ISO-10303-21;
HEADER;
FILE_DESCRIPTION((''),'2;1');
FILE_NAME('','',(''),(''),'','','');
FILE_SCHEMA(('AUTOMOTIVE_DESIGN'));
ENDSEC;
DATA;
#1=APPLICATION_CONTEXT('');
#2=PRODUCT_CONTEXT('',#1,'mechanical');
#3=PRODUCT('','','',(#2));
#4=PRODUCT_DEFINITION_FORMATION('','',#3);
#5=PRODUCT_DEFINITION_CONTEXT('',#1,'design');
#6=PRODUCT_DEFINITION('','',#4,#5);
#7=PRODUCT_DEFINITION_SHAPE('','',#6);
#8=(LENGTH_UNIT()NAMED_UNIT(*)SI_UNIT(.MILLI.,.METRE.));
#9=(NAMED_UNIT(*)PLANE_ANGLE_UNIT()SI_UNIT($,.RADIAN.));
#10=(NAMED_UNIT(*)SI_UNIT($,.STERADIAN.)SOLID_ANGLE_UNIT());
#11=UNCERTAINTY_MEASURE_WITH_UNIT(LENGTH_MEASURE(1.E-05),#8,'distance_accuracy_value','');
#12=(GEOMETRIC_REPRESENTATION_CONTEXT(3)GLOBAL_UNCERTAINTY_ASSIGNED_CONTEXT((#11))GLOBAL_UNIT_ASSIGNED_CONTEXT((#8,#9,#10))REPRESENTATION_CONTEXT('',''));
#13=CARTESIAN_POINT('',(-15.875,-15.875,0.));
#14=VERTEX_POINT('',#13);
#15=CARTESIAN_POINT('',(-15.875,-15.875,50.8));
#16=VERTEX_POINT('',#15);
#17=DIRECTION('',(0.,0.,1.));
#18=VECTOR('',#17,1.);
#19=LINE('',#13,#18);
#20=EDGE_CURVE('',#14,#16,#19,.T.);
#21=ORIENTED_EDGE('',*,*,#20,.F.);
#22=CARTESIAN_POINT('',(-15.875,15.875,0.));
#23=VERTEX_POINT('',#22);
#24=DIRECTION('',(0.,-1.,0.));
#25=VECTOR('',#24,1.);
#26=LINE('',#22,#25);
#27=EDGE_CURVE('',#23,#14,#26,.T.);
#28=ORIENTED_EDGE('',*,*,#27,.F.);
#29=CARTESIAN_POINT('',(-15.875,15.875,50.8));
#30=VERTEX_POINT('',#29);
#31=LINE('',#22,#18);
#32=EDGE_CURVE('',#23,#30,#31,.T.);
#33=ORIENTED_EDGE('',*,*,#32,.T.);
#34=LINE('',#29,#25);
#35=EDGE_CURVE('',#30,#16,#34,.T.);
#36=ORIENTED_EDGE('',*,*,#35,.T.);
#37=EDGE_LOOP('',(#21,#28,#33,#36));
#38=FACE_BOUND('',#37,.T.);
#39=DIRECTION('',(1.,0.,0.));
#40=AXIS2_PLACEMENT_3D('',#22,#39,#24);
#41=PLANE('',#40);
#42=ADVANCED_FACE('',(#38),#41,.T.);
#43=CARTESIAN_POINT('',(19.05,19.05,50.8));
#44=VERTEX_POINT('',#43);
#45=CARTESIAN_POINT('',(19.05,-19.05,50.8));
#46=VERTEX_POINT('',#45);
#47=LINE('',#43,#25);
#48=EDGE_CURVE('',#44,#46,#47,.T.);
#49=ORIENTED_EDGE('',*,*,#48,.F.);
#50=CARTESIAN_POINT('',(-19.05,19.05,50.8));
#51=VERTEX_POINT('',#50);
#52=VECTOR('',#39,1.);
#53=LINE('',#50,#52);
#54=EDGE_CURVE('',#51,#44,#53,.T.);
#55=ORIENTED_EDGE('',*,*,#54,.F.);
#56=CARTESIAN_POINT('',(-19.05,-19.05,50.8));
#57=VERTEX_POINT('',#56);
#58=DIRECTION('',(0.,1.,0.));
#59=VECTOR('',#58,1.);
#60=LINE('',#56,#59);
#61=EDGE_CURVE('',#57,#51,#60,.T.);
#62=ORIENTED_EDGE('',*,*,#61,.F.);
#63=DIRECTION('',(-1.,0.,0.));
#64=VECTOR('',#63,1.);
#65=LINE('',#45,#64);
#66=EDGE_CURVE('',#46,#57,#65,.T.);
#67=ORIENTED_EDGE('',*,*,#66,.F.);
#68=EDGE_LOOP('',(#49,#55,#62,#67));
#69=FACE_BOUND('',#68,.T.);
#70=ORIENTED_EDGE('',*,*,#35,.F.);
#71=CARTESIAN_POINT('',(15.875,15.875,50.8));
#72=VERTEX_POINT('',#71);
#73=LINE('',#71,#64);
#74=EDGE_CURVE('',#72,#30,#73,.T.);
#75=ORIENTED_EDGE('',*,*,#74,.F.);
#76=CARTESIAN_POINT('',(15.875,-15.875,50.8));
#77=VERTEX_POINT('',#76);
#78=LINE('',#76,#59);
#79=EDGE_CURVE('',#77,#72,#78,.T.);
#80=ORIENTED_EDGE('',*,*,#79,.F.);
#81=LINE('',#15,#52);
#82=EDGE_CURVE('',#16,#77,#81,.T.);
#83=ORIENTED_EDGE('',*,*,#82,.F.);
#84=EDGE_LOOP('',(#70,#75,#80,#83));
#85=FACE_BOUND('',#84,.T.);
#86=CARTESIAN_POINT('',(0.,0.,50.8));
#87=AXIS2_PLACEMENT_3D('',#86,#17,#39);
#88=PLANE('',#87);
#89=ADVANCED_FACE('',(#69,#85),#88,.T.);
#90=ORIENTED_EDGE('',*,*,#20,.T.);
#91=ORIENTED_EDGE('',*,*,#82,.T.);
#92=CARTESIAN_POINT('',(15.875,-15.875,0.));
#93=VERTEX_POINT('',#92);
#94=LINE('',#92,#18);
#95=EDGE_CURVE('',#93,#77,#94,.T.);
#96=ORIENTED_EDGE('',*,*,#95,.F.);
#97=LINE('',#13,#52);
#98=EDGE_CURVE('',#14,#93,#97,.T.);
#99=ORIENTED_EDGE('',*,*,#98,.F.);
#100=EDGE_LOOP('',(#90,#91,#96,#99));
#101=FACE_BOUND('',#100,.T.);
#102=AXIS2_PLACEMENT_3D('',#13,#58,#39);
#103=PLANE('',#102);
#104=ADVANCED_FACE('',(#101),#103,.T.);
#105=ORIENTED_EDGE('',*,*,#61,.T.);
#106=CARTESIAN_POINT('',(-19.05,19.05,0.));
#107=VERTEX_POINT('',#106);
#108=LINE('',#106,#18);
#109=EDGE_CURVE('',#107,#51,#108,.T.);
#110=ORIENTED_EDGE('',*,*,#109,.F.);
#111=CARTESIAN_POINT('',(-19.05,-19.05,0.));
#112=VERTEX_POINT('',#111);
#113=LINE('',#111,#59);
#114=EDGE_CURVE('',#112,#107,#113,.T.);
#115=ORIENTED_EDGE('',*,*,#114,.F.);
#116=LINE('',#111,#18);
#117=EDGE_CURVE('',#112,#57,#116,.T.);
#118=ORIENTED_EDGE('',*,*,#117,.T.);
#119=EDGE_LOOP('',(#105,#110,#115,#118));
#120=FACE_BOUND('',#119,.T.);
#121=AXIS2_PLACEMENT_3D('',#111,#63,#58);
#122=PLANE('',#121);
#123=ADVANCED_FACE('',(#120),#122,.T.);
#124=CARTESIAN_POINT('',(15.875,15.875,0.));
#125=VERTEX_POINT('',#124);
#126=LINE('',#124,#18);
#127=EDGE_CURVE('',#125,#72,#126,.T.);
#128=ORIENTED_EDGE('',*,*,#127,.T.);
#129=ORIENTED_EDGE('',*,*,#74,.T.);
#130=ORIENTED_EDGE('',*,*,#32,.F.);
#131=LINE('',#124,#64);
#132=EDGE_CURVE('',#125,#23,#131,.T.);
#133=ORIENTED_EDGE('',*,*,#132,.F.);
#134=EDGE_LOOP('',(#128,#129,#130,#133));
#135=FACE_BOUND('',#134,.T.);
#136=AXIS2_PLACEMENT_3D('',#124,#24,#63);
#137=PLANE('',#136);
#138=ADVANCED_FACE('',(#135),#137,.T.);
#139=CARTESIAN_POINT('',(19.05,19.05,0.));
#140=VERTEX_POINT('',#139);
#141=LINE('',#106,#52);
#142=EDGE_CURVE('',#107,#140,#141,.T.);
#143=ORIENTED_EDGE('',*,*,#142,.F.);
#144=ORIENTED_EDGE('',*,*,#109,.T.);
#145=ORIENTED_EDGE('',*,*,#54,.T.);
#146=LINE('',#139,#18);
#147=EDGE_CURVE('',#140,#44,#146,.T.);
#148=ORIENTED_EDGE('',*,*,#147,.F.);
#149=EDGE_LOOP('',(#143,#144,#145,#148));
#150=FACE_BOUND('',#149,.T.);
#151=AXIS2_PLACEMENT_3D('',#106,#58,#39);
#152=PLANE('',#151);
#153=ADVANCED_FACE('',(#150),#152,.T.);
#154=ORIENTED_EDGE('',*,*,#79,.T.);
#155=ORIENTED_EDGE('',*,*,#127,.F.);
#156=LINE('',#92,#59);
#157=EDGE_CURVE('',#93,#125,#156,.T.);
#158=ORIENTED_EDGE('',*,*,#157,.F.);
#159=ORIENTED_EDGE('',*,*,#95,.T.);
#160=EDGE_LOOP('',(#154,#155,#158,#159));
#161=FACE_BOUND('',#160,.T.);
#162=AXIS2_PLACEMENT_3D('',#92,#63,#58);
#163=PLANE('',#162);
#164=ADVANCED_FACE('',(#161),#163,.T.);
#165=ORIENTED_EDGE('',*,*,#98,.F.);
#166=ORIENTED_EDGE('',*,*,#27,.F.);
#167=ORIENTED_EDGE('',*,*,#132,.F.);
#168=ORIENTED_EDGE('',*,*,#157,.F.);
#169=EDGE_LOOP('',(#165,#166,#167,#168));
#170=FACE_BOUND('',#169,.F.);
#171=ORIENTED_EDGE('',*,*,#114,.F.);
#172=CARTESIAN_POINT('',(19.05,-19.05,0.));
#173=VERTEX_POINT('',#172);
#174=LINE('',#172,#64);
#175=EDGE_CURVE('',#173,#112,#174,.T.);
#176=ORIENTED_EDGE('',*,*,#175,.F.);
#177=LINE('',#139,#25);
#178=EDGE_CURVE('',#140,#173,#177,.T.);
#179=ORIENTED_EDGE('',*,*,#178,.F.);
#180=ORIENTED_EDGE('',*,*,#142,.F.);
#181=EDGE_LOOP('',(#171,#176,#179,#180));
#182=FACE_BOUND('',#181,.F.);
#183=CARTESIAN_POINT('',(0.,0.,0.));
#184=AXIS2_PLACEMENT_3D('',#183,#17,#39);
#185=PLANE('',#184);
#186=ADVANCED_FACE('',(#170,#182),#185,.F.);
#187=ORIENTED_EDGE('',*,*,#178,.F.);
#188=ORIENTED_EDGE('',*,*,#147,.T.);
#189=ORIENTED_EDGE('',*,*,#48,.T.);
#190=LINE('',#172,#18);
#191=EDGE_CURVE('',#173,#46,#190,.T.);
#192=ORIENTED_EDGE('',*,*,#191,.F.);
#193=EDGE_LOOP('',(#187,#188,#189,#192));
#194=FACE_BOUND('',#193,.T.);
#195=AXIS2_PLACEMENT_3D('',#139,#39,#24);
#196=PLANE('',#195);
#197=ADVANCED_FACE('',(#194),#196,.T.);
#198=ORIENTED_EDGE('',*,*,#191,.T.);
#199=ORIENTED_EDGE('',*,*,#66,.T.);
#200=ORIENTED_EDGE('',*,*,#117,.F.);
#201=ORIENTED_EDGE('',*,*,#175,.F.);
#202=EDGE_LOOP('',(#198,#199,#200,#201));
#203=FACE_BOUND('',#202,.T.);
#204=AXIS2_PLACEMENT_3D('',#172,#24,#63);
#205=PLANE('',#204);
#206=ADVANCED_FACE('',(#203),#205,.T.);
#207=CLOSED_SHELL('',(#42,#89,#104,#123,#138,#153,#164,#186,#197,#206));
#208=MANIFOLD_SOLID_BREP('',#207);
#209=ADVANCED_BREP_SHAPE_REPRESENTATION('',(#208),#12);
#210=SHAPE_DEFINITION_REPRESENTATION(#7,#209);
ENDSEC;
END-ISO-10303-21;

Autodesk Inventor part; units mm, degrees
ref_plane "YZ Plane" through (0, 0, 0) normal (1, 0, 0) x (0, 1, 0)
ref_plane "Start Plane" through (0, 0, 0) normal (0, 0, 1) x (1, 0, 0)
ref_plane "End Plane" through (0, 0, 50.8) normal (0, 0, 1) x (1, 0, 0)
sketch "Sketch1" plane through (0, 0, 0) normal (0, 0, 1) x (1, 0, 0)
  line L0 (-19.05, 19.05) -> (19.05, 19.05)
  line L1 (19.05, 19.05) -> (19.05, -19.05)
  line L2 (19.05, -19.05) -> (-19.05, -19.05)
  line L3 (-19.05, -19.05) -> (-19.05, 19.05)
  line L4 (15.875, 15.875) -> (-15.875, 15.875)
  line L5 (-15.875, 15.875) -> (-15.875, -15.875)
  line L6 (-15.875, -15.875) -> (15.875, -15.875)
  line L7 (15.875, -15.875) -> (15.875, 15.875)
  point P0 (0, 0)
  point P1 (0, 19.05)
  point P2 (-19.05, 0)
  dimension "width" = 38.1
  dimension "d1" = 3.175
extrude "Body" add sketch "Sketch1" along normal up to surface (50.8 mm away) from surface at 0
sketch "Sketch4" plane through (0, 0, 0) normal (0, 0, 1) x (1, 0, 0)
  line L0 (0, 0) -> (10, 0)
ref_plane "Work Plane4" through (0, 0, 0) normal (0, -1, 0) x (1, 0, 0)
sketch "Sketch5" plane through (0, 0, 0) normal (0, -1, 0) x (1, 0, 0)
  line L0 (-26.67, 0) -> (26.67, 0)
  line L1 (-26.67, 50.8) -> (26.67, 50.8)
  dimension "d9" = 50.8
equation "\"G_OFFSET_START\" = 0"
equation "\"G_OFFSET_END\" = 0"
equation "\"d5\" = length + G_OFFSET_END"
equation "\"G_L\" = d9"
equation "\"length\" = 50.8"
properties part number "1.5x1.5x.125 Tube"
